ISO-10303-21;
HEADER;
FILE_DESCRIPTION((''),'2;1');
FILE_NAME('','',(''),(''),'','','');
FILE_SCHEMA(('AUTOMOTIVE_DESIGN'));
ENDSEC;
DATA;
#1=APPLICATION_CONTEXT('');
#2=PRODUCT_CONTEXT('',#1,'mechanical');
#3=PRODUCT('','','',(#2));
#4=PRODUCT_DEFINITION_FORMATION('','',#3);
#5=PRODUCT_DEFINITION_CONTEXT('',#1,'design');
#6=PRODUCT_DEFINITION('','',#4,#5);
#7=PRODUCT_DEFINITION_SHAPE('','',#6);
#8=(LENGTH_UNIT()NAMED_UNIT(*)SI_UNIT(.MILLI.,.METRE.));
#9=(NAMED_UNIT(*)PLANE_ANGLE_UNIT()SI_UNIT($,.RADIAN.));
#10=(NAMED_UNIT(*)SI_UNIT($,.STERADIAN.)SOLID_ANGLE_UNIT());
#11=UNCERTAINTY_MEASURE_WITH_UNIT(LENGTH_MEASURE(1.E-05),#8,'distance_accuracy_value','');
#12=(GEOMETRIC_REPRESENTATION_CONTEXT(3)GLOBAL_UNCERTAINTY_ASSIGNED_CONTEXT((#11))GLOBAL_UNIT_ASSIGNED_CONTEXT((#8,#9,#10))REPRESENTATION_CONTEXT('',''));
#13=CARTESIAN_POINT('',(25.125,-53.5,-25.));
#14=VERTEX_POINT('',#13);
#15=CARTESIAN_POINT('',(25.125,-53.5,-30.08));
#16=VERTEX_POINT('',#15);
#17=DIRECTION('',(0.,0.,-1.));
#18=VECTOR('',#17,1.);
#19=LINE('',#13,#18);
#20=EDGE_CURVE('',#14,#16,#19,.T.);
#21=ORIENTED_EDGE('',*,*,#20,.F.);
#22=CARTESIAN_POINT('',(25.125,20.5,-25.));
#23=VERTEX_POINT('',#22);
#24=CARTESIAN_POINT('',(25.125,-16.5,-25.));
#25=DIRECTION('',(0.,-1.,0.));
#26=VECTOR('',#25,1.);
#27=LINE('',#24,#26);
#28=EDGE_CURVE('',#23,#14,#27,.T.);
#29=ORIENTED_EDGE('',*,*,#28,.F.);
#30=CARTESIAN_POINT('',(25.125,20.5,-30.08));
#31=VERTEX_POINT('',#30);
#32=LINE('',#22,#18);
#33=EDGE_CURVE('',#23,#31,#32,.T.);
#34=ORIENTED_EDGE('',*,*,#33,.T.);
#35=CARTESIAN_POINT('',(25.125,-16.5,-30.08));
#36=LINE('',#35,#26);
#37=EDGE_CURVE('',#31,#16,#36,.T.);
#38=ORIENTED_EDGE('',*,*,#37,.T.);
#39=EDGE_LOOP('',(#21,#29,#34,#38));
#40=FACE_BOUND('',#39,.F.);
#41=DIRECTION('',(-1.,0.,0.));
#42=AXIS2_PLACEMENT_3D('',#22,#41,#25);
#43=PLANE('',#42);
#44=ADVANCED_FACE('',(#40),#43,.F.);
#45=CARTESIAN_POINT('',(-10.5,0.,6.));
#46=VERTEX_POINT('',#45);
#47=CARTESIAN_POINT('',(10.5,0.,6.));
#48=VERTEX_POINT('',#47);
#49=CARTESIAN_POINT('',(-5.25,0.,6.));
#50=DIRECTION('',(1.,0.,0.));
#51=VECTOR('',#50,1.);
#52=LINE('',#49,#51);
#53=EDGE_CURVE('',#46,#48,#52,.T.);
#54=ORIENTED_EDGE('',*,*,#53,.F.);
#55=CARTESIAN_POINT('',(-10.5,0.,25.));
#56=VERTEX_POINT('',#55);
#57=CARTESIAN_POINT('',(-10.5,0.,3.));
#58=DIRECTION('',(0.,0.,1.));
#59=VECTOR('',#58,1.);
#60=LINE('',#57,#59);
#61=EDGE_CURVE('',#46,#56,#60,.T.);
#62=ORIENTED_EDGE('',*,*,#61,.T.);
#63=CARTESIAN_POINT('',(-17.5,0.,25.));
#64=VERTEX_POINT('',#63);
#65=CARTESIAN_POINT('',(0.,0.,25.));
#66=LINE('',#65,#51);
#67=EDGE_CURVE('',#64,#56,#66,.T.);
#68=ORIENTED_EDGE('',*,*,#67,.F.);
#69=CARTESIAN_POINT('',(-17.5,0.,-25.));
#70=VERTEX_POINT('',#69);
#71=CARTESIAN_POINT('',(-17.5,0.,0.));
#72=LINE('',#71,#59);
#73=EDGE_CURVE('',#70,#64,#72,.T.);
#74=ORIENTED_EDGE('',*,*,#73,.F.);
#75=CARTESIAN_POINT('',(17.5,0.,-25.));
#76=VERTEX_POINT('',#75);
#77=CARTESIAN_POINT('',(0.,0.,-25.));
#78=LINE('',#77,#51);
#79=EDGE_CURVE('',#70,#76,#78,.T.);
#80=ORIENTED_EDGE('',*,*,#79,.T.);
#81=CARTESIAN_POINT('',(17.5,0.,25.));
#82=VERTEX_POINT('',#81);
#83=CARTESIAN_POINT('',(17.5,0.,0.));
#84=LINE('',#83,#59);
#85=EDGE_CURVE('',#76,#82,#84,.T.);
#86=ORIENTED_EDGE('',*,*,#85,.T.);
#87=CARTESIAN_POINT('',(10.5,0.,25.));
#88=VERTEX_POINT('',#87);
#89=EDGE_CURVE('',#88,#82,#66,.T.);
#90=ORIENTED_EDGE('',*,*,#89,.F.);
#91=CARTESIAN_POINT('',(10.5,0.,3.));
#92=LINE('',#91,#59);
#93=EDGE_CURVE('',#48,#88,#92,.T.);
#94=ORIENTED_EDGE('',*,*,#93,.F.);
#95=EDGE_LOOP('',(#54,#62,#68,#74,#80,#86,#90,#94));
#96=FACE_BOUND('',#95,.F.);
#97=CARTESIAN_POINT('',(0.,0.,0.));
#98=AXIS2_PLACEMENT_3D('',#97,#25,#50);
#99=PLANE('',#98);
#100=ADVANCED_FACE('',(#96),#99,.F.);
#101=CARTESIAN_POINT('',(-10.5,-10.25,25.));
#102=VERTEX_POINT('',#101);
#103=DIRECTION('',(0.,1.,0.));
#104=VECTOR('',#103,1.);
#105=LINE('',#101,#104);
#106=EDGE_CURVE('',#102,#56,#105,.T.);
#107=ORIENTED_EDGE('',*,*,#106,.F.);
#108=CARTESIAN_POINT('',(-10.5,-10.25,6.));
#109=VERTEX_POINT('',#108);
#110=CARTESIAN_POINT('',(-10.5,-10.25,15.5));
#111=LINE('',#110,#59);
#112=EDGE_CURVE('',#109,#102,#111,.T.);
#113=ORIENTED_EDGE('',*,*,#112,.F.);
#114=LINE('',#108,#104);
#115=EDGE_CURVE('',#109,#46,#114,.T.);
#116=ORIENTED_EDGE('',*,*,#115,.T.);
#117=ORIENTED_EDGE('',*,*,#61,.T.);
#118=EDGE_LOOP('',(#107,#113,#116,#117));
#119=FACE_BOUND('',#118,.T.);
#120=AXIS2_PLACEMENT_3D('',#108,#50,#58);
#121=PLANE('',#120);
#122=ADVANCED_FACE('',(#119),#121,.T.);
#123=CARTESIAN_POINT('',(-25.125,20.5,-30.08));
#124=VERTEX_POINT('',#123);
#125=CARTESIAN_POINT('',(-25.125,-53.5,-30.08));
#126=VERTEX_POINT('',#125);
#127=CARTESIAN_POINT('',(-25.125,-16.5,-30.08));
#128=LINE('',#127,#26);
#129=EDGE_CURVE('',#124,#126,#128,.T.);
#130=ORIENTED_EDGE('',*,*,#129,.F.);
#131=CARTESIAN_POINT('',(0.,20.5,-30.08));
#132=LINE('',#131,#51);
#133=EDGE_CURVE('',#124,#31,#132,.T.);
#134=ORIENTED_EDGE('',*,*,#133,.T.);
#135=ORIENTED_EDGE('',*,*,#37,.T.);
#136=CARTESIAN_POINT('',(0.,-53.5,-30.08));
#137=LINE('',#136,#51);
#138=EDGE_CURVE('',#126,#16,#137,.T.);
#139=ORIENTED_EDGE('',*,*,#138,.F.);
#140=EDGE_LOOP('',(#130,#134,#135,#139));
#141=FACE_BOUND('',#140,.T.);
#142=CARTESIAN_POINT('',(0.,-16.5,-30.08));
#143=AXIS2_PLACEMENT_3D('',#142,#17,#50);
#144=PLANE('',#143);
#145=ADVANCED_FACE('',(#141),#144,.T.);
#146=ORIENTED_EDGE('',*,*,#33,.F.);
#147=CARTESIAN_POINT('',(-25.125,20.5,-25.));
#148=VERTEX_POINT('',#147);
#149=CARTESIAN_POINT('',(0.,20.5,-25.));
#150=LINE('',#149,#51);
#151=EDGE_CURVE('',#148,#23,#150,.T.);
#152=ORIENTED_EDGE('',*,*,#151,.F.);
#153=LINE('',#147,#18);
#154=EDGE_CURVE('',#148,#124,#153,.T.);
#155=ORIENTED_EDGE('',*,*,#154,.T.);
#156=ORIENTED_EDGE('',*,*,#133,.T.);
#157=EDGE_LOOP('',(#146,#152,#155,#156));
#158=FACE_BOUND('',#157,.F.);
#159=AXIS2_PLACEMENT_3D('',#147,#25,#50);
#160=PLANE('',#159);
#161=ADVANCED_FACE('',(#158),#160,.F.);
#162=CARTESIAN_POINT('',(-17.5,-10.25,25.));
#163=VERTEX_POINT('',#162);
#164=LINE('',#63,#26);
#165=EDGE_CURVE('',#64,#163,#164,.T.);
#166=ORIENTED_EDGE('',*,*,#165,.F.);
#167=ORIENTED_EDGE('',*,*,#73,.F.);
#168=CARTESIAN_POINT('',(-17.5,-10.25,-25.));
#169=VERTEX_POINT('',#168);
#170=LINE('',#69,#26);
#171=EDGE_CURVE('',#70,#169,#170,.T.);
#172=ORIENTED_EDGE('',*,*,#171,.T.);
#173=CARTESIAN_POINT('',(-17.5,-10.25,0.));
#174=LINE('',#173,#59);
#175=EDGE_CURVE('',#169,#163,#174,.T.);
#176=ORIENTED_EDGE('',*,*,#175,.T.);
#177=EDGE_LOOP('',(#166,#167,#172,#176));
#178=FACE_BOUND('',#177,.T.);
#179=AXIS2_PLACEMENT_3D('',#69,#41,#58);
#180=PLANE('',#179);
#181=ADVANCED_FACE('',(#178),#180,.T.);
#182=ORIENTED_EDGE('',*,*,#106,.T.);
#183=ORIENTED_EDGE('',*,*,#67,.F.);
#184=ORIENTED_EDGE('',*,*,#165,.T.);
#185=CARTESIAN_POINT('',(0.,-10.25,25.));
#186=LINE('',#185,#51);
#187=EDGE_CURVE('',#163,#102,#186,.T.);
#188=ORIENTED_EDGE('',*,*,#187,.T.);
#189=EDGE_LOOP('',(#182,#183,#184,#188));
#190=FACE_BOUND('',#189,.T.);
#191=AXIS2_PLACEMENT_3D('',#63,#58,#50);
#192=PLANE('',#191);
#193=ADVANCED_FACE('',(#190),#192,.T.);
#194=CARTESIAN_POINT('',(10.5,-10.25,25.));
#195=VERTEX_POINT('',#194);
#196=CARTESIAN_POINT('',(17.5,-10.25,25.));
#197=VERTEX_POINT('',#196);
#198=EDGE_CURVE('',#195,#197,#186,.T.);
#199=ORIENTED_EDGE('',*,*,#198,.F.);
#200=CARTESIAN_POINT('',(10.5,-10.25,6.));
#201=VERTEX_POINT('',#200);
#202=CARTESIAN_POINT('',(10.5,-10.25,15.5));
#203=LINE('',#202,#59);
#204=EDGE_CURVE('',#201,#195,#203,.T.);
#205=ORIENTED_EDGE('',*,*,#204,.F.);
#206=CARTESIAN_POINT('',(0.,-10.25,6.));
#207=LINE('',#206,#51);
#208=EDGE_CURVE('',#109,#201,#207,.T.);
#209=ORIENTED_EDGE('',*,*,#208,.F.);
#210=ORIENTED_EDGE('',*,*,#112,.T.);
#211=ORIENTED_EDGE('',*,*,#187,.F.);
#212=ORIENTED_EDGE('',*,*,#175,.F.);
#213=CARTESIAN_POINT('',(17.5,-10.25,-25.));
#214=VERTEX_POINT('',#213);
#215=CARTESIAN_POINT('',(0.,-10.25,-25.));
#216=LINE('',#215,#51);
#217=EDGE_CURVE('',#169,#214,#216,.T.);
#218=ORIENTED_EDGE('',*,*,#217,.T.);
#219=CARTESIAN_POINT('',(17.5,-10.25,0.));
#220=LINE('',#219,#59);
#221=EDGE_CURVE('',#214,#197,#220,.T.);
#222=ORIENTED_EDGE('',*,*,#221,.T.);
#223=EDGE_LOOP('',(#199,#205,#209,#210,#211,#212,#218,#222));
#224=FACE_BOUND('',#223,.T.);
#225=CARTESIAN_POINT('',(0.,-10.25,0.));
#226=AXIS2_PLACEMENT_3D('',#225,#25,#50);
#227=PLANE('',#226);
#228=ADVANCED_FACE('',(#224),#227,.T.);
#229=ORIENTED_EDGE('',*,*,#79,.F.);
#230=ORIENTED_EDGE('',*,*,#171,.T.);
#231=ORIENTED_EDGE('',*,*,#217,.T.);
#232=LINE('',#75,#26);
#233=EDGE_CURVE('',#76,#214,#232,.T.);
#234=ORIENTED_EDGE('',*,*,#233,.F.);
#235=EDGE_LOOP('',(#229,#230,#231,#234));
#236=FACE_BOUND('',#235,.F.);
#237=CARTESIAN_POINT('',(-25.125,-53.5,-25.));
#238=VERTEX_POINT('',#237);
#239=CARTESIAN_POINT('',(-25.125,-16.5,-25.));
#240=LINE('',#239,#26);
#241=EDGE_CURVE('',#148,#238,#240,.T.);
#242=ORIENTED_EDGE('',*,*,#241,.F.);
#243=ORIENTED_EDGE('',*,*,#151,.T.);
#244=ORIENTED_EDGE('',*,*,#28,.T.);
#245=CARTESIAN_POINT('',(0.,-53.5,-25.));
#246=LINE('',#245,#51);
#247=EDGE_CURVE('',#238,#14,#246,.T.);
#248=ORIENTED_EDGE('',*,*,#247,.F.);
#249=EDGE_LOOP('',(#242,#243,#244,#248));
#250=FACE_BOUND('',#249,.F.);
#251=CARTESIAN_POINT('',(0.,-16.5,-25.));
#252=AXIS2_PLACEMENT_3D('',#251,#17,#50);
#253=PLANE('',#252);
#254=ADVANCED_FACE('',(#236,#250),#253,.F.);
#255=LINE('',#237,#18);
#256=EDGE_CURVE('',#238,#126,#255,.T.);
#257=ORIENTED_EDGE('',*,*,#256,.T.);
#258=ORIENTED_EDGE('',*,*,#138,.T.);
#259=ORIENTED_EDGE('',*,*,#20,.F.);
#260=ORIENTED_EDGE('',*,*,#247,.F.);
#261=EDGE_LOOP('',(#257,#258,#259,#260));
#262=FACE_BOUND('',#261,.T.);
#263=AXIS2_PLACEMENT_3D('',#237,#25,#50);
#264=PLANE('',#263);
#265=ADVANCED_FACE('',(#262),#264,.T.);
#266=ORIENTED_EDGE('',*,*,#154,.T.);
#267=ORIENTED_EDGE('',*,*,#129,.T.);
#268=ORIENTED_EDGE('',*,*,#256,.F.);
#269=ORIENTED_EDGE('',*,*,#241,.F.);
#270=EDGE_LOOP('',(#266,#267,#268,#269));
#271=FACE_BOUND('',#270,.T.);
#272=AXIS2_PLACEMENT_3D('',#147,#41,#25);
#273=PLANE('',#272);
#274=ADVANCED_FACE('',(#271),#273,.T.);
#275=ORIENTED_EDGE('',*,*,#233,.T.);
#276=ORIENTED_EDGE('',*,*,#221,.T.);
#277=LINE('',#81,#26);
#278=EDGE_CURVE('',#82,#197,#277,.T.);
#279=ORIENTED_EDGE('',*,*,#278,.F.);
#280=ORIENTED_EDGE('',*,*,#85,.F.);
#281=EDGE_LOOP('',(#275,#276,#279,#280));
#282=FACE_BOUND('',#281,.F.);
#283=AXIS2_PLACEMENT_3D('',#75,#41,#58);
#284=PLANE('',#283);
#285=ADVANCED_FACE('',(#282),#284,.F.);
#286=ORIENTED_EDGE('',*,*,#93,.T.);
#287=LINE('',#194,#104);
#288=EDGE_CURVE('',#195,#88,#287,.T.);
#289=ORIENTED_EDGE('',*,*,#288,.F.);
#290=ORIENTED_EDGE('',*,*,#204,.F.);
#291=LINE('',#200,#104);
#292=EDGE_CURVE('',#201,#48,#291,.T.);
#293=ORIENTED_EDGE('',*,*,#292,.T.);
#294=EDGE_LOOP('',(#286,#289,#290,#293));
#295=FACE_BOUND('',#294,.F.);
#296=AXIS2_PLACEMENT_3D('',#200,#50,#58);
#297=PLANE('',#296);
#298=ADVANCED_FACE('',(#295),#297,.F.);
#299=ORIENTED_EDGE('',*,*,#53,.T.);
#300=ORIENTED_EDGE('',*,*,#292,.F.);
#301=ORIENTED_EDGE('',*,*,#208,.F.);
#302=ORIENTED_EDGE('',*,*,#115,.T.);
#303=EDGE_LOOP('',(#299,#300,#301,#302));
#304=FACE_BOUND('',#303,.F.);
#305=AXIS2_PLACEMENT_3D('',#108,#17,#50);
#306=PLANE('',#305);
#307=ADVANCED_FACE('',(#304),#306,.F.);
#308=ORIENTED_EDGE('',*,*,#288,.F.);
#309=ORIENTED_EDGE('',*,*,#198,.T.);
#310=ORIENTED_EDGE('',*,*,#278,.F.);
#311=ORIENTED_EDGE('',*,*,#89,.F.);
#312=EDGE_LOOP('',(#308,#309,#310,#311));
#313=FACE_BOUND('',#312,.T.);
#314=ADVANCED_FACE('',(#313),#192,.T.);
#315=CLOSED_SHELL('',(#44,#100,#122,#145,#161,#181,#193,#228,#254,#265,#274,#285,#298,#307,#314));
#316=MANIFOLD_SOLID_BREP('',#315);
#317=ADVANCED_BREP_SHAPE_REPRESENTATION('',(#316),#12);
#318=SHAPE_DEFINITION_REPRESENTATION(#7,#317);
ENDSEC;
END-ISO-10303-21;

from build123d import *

# Parameters (mm, degrees)
F0_W     = 35
F0_H     = 50
F1_DEPTH = 10.25
F2_W     = 21
F2_H     = 19
F3_DEPTH = 25
F5_W     = 50.25
F5_H     = 74
F6_DEPTH = 5.08


with BuildPart() as f1:
    # F0 (on Front) → F1 (new body)
    with BuildSketch(Plane.XZ):
        Rectangle(F0_W, F0_H)
    extrude(amount=F1_DEPTH)

    # F2 (on face) → F3 (cut)
    with BuildSketch(Plane.XZ.offset(10.25)):
        with Locations((0, 15.5)):
            Rectangle(F2_W, F2_H)
    extrude(amount=-F3_DEPTH, mode=Mode.SUBTRACT)

    # F5 (on offset) → F6 (join)
    with BuildSketch(Plane(origin=(0, 0, -25), x_dir=(1, 0, 0), z_dir=(0, 0, -1))):
        with Locations((0, 16.5)):
            Rectangle(F5_W, F5_H)
    extrude(amount=F6_DEPTH)


solid = f1.part
